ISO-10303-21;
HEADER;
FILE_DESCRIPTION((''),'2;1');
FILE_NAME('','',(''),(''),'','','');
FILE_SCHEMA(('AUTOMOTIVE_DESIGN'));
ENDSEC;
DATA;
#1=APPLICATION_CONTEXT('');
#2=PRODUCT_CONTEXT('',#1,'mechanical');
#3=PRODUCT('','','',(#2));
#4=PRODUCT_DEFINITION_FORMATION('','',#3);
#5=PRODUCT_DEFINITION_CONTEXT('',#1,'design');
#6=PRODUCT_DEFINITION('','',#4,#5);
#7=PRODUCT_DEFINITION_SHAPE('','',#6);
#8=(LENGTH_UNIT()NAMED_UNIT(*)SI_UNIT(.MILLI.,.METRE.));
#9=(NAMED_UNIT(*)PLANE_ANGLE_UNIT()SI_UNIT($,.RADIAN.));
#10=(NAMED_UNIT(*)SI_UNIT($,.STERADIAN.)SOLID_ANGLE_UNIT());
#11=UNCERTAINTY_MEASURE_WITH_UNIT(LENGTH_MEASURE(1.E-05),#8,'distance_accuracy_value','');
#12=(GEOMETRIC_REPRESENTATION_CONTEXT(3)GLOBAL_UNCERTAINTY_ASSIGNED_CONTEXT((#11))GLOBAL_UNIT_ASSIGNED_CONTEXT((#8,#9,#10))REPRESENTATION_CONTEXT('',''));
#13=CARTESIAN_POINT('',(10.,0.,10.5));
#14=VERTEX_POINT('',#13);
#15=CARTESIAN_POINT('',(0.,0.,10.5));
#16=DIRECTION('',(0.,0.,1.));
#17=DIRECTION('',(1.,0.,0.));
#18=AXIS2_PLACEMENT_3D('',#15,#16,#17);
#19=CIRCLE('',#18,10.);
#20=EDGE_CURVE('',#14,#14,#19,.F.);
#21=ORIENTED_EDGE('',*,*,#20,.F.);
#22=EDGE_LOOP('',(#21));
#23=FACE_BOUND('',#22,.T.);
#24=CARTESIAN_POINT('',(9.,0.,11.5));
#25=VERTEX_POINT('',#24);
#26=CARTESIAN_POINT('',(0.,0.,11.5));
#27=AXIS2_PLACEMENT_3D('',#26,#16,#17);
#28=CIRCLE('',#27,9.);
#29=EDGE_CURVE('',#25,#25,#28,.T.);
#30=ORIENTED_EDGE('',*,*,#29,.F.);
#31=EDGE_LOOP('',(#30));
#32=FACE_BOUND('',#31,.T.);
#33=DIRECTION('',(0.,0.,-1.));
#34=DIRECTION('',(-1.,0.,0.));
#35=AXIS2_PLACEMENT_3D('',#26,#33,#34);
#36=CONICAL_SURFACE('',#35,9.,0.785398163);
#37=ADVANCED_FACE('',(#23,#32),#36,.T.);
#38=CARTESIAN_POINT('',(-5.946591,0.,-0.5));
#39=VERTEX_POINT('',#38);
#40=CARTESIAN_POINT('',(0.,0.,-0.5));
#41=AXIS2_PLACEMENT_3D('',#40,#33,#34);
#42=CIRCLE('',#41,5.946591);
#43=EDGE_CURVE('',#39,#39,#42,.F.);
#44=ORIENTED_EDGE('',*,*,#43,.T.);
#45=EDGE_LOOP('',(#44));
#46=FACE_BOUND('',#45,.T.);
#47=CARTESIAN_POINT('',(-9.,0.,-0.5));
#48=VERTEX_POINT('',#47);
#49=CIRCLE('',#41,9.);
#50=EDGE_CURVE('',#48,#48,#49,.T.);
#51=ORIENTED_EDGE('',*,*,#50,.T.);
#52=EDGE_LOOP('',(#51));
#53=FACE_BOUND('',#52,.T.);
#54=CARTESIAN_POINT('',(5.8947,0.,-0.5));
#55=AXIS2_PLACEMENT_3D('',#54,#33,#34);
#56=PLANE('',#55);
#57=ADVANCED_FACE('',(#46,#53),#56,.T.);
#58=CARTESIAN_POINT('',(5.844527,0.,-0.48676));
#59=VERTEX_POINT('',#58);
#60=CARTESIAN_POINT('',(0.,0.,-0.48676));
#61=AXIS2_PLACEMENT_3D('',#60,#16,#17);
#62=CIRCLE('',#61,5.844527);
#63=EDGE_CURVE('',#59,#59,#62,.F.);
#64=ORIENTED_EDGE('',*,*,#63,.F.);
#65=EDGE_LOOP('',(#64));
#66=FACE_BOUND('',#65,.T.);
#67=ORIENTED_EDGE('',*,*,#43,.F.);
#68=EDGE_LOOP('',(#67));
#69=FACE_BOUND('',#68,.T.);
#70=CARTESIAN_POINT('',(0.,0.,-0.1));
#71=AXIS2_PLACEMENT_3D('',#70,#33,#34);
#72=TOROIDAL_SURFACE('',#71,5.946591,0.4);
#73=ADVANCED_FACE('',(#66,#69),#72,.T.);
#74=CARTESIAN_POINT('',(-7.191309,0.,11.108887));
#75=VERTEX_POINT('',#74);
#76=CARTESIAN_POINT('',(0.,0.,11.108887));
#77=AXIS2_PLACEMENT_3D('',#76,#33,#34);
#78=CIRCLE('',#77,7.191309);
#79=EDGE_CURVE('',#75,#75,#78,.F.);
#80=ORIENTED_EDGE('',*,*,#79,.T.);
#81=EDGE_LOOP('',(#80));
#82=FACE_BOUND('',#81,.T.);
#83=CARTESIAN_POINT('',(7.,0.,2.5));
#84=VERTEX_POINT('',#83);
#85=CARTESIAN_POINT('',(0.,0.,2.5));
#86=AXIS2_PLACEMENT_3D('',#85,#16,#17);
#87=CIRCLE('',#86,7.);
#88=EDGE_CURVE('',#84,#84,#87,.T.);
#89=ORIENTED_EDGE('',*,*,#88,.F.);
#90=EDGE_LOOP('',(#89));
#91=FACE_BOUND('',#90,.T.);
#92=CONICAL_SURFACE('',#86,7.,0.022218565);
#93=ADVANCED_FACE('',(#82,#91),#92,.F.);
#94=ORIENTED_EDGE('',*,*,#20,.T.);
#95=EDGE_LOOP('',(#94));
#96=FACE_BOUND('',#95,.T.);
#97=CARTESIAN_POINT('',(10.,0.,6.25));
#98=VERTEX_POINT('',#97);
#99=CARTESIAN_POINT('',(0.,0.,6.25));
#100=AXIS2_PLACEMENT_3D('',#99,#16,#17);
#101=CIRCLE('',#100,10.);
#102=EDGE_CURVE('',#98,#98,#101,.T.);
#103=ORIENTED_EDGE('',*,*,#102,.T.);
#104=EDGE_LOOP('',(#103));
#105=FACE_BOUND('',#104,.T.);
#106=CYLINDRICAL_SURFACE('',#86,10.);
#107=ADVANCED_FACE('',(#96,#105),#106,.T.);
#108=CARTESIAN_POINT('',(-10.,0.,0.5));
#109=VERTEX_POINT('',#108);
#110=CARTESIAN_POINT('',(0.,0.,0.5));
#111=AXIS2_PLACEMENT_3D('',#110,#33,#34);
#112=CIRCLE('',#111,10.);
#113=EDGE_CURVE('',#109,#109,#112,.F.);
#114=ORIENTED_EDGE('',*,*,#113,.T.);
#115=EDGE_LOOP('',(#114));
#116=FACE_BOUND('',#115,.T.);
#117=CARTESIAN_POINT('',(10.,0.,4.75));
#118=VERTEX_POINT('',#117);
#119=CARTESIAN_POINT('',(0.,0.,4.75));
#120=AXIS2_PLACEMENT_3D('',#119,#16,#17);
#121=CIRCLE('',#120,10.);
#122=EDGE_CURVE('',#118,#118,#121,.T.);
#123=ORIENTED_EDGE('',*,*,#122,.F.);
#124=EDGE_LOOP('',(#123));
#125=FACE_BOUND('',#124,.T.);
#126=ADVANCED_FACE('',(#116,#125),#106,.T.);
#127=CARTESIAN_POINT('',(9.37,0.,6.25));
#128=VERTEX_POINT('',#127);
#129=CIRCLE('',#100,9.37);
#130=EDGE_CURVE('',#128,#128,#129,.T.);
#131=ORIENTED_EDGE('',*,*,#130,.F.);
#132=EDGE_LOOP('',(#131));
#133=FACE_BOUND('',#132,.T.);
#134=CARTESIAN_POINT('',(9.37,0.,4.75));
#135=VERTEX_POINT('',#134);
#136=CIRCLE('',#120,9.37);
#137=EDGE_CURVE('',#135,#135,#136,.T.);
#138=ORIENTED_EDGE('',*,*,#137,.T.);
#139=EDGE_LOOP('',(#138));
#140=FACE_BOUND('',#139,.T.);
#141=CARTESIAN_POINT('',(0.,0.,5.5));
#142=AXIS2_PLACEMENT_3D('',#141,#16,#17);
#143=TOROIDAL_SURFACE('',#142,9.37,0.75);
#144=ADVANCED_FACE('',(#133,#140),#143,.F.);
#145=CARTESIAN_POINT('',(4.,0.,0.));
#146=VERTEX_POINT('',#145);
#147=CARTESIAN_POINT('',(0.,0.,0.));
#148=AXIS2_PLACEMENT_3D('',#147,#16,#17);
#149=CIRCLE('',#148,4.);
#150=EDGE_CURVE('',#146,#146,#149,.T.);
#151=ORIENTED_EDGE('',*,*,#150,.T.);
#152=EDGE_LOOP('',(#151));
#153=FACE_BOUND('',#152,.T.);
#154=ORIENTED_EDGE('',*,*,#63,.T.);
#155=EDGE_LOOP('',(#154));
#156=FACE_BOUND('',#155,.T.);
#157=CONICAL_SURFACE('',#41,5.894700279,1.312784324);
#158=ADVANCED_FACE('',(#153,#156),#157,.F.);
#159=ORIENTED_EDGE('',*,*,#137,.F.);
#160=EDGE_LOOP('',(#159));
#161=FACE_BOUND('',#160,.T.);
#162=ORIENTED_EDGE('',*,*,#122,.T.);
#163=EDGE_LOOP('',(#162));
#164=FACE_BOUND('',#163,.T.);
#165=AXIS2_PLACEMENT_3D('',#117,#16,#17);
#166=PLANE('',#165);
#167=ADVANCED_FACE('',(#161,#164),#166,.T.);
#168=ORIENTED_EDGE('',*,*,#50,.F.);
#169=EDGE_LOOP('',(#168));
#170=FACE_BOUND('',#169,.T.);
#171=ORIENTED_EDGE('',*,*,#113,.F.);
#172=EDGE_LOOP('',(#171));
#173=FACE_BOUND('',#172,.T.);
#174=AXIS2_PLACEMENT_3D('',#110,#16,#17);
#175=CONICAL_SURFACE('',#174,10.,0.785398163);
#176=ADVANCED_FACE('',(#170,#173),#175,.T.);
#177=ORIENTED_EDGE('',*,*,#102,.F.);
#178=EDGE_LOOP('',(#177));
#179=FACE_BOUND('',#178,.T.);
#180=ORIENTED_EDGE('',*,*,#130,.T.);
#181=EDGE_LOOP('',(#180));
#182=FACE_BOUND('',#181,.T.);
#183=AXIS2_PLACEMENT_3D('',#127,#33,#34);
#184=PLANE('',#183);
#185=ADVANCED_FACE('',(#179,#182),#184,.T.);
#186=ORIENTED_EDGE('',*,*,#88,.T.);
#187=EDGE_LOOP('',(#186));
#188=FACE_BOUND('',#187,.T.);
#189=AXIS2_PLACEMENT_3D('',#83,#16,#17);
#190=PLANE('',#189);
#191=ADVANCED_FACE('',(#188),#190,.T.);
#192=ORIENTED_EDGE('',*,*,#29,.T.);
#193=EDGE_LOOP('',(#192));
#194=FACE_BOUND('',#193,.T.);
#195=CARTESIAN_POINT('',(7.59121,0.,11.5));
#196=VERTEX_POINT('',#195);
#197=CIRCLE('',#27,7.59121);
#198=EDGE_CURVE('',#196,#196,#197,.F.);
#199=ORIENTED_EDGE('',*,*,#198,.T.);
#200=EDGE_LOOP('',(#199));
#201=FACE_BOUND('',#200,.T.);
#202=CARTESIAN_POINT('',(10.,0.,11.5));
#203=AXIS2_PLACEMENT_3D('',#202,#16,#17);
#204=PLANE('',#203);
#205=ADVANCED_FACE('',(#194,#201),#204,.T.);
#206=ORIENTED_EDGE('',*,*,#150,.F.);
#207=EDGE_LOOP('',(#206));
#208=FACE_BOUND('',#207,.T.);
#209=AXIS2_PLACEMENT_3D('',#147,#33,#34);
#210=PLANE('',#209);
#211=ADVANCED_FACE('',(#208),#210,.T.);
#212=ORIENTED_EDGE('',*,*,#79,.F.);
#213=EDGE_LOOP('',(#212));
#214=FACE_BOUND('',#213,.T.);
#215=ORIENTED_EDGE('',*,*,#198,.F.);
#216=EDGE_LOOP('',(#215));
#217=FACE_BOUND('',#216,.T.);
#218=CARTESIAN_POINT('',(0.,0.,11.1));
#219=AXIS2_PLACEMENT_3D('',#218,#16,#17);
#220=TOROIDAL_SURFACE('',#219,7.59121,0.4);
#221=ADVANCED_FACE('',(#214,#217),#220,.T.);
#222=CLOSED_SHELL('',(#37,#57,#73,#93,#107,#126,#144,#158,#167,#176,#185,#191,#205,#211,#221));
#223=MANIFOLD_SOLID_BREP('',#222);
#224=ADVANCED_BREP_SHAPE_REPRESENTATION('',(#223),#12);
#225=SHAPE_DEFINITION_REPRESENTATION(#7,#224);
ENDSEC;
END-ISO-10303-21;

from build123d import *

# Parameters (mm, degrees)
CHAMFER_1_SIZE = 1
FILLET_1_R     = 0.4


with BuildPart() as part:
    # 스케치1 → 회전1 (revolve)
    with BuildSketch(Plane(origin=(0, 0, 0), x_dir=(1, 0, 0), z_dir=(0, 1, 0))):
        with BuildLine():
            Line((0, 0), (4, 0))
            Line((4, 0), (5.894700279, 0.5))
            Line((5.894700279, 0.5), (10, 0.5))
            Line((10, 0.5), (10, -4.75))
            Line((10, -4.75), (9.37, -4.75))
            ThreePointArc((9.37, -4.75), (8.62, -5.5), (9.37, -6.25))
            Line((9.37, -6.25), (10, -6.25))
            Line((10, -6.25), (10, -11.5))
            Line((10, -11.5), (7.2, -11.5))
            Line((7.2, -11.5), (7, -2.5))
            Line((7, -2.5), (0, -2.5))
            Line((0, -2.5), (0, 0))
        make_face()
    revolve(axis=Axis((0, 0, 2.5), (0, 0, -1)))

    # 모따기1
    chamfer_1_edges = [part.edges().sort_by_distance(p)[0] for p in [
        (-10, 0, 11.5),
        (-10, 0, -0.5),
    ]]
    chamfer(chamfer_1_edges, length=CHAMFER_1_SIZE)

    # 필렛1
    fillet_1_edges = [part.edges().sort_by_distance(p)[0] for p in [
        (-7.2, 0, 11.5),
        (-5.894700279, 0, -0.5),
    ]]
    fillet(fillet_1_edges, radius=FILLET_1_R)


solid = part.part
